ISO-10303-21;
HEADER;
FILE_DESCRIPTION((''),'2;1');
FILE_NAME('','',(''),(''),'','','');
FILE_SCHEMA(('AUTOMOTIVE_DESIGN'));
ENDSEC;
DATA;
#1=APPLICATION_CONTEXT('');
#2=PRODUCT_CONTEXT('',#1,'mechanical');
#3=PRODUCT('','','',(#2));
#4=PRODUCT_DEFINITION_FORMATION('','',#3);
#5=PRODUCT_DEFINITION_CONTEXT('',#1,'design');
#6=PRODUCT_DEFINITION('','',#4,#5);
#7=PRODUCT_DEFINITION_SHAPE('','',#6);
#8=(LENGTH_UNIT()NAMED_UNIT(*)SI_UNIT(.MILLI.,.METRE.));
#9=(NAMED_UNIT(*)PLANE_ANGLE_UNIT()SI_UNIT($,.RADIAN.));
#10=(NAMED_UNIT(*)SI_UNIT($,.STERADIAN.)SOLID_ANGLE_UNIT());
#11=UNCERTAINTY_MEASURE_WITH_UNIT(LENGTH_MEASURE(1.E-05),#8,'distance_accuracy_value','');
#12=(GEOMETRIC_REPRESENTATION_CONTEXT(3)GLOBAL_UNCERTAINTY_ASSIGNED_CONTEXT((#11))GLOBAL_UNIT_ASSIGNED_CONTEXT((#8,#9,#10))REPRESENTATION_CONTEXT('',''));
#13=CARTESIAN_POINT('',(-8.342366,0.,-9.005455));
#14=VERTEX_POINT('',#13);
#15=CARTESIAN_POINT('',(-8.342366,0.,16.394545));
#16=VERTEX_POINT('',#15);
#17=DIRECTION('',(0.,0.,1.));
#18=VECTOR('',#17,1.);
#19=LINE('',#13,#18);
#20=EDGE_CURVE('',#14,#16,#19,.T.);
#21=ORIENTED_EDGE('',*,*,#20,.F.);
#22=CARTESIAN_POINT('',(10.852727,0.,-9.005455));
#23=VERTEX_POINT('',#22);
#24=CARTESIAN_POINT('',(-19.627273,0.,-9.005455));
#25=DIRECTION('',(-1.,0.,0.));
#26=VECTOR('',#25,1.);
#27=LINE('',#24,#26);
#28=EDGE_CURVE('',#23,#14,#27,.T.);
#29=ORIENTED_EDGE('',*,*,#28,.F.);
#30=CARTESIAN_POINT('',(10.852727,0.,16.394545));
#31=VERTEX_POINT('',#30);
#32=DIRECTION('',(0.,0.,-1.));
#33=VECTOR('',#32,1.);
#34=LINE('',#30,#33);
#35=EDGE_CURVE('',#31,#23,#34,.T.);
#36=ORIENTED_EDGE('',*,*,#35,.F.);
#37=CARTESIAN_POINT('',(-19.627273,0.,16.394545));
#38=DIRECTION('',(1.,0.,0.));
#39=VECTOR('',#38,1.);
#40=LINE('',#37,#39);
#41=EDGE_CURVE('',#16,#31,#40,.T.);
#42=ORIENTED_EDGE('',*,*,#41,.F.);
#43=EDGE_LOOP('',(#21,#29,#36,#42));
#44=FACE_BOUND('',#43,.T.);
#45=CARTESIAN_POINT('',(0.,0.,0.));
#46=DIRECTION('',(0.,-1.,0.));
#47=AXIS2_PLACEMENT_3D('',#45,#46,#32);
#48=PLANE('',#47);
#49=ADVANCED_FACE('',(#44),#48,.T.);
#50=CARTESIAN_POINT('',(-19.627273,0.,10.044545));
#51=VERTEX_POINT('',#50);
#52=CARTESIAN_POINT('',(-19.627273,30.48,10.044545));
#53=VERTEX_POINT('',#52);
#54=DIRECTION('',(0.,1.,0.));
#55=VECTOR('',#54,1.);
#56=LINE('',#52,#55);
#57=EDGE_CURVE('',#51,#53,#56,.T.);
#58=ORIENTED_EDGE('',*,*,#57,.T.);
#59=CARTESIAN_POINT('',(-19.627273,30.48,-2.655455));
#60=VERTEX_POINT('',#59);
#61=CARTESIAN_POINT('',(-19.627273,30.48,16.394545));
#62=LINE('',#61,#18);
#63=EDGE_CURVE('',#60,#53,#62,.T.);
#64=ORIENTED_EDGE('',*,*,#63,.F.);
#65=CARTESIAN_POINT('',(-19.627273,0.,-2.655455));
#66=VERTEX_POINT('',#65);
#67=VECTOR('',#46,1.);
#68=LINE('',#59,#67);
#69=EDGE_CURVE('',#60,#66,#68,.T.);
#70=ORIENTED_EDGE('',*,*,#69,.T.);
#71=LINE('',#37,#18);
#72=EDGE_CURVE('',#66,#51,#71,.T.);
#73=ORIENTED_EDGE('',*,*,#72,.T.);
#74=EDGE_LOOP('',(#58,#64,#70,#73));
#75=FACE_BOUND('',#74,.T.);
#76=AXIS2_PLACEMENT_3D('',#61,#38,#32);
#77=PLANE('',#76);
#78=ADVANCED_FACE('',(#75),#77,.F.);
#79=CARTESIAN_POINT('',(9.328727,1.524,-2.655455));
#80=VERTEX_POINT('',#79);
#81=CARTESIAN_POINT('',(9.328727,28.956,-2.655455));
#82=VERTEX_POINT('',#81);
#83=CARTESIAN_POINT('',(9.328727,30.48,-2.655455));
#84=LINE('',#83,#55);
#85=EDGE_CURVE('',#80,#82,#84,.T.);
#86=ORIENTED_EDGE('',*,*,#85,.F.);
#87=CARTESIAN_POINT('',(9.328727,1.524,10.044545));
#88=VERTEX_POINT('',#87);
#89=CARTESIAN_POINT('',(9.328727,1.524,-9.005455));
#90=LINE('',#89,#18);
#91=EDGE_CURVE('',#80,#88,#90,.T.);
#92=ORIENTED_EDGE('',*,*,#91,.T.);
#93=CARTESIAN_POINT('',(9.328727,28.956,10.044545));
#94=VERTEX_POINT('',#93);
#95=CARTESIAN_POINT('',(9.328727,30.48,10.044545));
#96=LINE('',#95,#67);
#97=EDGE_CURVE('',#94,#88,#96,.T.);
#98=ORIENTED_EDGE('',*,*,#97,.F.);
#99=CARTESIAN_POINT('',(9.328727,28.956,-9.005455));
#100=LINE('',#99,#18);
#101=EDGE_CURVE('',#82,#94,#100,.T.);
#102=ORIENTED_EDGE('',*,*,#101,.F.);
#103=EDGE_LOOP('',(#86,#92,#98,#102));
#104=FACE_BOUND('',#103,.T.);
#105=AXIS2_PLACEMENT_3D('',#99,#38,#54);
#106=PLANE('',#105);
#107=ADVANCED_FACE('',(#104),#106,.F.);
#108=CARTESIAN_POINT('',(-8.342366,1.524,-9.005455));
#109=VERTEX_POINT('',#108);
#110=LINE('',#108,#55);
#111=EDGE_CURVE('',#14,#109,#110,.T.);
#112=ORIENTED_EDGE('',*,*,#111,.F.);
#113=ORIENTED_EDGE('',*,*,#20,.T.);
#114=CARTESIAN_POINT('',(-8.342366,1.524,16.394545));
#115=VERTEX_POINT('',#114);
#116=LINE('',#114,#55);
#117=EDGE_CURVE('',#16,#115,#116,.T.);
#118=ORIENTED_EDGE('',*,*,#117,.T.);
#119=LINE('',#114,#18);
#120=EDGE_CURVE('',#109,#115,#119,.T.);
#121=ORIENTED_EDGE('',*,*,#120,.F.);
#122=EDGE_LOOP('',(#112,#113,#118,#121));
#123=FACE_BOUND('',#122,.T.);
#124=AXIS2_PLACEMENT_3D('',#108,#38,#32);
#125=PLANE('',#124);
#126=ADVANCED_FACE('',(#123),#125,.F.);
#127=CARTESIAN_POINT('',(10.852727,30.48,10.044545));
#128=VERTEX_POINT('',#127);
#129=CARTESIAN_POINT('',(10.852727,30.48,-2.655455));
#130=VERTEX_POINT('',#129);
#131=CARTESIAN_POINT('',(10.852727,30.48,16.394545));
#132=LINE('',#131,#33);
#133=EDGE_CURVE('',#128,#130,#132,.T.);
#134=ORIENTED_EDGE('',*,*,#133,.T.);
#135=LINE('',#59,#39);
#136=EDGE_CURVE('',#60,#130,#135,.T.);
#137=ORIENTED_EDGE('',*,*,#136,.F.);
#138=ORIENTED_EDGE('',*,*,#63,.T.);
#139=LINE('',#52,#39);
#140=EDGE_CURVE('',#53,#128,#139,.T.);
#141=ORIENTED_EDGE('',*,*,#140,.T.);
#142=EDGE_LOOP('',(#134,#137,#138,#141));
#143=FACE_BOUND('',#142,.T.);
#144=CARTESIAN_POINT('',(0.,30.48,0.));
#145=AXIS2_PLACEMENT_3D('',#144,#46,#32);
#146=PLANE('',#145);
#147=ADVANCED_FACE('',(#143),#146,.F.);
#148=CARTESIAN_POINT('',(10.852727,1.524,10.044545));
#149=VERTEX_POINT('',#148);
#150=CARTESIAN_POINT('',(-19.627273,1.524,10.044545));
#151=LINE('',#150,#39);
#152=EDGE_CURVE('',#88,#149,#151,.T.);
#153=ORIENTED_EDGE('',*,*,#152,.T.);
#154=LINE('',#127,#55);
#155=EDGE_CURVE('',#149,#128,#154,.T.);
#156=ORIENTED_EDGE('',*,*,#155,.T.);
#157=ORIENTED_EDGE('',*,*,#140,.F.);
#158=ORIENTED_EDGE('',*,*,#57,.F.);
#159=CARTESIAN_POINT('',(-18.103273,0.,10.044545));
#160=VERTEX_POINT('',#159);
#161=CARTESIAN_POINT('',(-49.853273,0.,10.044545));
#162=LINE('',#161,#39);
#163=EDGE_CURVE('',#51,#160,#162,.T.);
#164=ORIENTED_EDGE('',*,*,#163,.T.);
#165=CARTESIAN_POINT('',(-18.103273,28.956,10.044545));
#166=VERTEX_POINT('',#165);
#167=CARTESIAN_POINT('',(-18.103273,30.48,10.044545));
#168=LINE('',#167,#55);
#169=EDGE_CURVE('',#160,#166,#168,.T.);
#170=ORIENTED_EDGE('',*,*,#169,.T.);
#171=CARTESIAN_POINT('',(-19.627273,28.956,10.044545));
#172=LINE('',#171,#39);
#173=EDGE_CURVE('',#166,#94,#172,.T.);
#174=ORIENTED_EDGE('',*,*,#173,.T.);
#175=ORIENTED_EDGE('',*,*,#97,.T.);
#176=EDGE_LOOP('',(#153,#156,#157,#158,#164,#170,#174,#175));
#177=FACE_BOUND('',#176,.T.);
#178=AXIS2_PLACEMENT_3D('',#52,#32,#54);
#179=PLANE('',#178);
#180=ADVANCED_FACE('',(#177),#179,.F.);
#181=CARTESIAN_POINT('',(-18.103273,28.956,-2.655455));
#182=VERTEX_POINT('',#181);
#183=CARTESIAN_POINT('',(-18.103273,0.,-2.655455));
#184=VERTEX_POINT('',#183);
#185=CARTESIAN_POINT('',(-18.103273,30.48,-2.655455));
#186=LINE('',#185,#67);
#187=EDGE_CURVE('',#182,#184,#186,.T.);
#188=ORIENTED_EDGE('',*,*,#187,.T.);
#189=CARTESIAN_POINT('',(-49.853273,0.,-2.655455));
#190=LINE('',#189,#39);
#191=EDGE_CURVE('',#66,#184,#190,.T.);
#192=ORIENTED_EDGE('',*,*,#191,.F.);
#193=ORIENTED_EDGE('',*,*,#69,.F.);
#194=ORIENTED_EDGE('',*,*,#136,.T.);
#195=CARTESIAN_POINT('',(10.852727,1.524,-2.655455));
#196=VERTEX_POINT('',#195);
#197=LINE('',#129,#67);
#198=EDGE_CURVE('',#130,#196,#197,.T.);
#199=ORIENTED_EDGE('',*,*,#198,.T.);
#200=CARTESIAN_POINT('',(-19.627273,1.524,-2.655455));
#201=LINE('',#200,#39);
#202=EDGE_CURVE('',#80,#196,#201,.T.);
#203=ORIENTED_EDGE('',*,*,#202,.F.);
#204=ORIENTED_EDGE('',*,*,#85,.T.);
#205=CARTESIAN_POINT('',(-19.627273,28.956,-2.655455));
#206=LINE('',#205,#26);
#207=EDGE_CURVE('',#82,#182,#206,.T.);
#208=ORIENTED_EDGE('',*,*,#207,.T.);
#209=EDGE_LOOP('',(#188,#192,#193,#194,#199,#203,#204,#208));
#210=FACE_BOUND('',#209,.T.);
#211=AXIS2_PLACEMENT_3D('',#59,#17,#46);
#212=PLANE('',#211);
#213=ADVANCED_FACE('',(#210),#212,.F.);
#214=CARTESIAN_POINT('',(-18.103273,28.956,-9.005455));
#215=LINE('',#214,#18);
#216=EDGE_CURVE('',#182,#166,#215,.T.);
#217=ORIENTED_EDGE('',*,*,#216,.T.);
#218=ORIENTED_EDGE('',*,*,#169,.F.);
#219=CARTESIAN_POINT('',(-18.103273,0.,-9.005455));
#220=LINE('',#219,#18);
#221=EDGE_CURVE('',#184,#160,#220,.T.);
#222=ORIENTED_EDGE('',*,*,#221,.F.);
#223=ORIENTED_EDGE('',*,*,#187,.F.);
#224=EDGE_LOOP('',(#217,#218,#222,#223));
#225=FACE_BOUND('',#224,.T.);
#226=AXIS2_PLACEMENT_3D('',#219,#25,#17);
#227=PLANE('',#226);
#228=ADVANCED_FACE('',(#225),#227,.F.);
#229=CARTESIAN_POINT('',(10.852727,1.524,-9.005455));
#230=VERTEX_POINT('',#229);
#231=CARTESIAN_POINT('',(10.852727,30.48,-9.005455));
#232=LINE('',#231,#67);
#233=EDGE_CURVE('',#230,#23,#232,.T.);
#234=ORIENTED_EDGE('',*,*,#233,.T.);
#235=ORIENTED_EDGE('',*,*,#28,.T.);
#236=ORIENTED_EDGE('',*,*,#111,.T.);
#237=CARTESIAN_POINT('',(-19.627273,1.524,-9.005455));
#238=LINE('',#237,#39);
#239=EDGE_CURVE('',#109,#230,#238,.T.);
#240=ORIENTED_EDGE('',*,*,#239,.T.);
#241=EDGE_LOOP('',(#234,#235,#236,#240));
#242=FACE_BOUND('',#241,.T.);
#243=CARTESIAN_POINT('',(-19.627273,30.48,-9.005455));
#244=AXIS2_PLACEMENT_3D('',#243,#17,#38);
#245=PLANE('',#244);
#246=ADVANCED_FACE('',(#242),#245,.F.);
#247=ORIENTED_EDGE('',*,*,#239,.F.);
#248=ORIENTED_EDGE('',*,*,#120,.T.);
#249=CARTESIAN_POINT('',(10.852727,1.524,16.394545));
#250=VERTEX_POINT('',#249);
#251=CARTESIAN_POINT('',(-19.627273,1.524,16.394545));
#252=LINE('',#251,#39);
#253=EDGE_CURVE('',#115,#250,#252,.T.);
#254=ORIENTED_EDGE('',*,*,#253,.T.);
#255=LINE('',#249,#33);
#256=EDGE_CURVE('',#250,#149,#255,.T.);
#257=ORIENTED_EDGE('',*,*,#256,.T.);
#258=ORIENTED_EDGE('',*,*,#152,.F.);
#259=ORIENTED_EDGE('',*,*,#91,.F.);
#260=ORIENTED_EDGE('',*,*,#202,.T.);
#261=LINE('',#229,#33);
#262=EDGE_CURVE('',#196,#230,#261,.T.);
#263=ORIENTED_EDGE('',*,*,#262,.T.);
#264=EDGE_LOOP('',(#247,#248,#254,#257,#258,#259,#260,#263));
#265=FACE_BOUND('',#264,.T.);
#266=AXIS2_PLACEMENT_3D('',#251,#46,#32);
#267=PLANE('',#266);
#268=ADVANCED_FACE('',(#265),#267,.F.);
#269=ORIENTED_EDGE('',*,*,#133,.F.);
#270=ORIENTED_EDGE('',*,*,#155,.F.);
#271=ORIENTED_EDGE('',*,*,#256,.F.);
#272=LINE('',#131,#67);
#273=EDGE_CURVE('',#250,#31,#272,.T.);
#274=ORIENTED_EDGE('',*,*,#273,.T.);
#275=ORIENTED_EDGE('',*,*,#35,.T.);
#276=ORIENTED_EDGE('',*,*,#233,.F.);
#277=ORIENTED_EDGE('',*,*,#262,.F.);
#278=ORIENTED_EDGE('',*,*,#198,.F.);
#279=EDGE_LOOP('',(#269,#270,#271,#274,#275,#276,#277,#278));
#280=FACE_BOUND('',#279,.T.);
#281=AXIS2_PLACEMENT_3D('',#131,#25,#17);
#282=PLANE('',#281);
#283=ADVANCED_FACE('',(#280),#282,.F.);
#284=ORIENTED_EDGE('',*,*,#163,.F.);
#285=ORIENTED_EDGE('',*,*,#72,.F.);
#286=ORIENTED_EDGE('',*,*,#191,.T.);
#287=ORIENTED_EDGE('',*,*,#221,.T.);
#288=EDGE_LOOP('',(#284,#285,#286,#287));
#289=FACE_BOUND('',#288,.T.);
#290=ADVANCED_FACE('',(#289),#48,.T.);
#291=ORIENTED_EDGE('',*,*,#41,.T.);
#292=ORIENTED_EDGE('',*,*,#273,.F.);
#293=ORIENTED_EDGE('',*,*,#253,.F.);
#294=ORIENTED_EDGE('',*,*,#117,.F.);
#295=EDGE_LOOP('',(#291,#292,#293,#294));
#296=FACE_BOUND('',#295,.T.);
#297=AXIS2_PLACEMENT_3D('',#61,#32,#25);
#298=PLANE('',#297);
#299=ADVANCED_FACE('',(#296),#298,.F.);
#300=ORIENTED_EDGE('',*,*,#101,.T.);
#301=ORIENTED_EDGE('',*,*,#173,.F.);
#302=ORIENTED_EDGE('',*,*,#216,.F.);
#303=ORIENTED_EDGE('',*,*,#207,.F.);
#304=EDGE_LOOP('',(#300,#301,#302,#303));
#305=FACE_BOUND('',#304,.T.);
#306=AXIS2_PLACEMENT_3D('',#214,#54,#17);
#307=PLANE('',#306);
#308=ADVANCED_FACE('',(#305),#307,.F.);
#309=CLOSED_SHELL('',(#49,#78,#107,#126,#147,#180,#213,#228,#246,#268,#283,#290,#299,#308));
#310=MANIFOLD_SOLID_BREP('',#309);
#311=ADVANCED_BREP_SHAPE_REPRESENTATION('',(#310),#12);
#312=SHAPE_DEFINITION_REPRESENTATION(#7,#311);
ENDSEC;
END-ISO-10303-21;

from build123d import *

# Parameters (mm, degrees)
SKETCH1_W               = 30.48
SKETCH1_H               = 25.4
BOSS_EXTRUDE1_DEPTH     = 30.48
SKETCH5_W               = 6.35
SKETCH5_H               = 28.956
CUT_EXTRUDE4_DEPTH      = 47.117696394
CUT_EXTRUDE5_DEPTH      = 40.787452235
CUT_EXTRUDE5_DEPTH_BACK = 40.787452235
SKETCH7_W               = 6.35
SKETCH7_H               = 1.524
CUT_EXTRUDE6_DEPTH      = 31.75


with BuildPart() as part:
    # Sketch1 → Boss-Extrude1 (new body)
    with BuildSketch(Plane(origin=(0, 0, 0), x_dir=(1, 0, 0), z_dir=(0, 1, 0))):
        with Locations((-4.387272727, -3.694545455)):
            Rectangle(SKETCH1_W, SKETCH1_H)
    extrude(amount=BOSS_EXTRUDE1_DEPTH)

    # Sketch5 → Cut-Extrude4 (cut, through all)
    with BuildSketch(Plane(origin=(10.852727273, 0, 0), x_dir=(0, 0, -1), z_dir=(1, 0, 0))):
        with Locations((-13.219545455, 16.002)):
            Rectangle(SKETCH5_W, SKETCH5_H)
        with Locations((5.830454545, 16.002)):
            Rectangle(SKETCH5_W, SKETCH5_H)
    extrude(amount=-CUT_EXTRUDE4_DEPTH, mode=Mode.SUBTRACT)

    # Sketch6 → Cut-Extrude5 (cut, two sides: drawn at the far end of the back side and taken through both)
    with BuildSketch(Plane.XY.offset(-CUT_EXTRUDE5_DEPTH_BACK)):
        Polygon((-18.103272727, 0), (-18.103272727, 28.956), (9.328727273, 28.956), (9.328727273, 1.524), (-8.342365858, 1.524), (-8.342365858, 0), align=None)
    extrude(amount=CUT_EXTRUDE5_DEPTH + CUT_EXTRUDE5_DEPTH_BACK, mode=Mode.SUBTRACT)

    # Sketch7 → Cut-Extrude6 (cut)
    with BuildSketch(Plane(origin=(-18.103272727, 0, 0), x_dir=(0, 0, -1), z_dir=(1, 0, 0))):
        with Locations((-13.219545455, 0.762)):
            Rectangle(SKETCH7_W, SKETCH7_H)
        with Locations((5.830454545, 0.762)):
            Rectangle(SKETCH7_W, SKETCH7_H)
    extrude(amount=-CUT_EXTRUDE6_DEPTH, mode=Mode.SUBTRACT)


solid = part.part
